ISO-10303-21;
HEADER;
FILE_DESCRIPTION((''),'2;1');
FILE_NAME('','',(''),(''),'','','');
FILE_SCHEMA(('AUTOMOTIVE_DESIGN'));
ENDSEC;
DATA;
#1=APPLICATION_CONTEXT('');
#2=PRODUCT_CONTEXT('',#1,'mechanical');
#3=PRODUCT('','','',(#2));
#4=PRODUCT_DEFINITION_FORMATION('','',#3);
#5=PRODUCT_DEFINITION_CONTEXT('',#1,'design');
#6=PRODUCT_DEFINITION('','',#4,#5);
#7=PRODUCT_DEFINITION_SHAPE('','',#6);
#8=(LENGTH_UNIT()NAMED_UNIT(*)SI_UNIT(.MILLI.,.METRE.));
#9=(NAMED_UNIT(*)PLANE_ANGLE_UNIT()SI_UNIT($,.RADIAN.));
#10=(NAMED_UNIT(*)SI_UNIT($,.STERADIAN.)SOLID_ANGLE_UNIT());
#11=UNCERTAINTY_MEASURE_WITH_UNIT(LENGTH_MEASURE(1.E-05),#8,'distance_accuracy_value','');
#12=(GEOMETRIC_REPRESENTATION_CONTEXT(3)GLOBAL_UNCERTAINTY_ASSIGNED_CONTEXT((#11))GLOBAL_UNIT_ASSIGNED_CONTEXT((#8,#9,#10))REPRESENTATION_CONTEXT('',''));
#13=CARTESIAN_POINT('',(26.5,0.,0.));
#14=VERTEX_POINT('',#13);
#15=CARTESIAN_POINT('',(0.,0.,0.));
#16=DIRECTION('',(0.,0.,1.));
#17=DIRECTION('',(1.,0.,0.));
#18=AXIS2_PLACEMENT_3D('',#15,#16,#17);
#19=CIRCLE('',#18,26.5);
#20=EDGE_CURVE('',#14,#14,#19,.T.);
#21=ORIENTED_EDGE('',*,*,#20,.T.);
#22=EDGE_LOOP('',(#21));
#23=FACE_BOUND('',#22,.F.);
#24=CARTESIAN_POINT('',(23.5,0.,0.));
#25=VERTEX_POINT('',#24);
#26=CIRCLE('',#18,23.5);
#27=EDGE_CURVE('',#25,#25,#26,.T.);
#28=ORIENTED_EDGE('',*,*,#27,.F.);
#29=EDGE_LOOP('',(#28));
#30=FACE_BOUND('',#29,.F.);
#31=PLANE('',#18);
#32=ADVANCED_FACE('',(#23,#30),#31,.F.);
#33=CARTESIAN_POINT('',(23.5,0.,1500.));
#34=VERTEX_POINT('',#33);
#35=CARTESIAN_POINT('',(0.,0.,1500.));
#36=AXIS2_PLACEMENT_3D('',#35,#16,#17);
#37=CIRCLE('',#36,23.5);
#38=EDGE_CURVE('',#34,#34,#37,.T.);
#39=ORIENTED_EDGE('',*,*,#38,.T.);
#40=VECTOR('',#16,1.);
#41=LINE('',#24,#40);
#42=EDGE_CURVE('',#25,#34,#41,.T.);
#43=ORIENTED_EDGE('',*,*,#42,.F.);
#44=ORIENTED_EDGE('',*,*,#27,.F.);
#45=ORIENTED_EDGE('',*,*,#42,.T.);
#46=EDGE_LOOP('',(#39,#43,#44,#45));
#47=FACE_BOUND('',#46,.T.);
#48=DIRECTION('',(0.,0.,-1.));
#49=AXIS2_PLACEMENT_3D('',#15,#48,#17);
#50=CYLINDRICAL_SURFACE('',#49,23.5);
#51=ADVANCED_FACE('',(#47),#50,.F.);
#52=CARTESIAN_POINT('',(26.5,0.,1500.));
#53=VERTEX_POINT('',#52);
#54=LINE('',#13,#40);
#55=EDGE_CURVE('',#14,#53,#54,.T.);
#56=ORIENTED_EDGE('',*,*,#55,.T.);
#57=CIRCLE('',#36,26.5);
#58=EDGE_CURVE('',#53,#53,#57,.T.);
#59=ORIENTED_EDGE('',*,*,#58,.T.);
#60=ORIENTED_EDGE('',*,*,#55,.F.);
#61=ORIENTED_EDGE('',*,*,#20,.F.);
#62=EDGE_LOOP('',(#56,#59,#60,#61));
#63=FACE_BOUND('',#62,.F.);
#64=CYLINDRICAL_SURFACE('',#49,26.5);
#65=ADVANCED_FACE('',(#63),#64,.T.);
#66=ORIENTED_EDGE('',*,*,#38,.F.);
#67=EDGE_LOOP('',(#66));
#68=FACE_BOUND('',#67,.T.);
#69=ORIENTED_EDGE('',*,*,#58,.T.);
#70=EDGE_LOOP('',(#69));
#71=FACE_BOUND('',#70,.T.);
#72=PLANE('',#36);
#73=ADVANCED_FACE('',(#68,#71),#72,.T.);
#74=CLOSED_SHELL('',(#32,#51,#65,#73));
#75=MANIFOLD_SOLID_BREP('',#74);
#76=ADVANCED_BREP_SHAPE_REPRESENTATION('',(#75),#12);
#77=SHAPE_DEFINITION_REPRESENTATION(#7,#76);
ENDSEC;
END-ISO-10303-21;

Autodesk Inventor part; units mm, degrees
ref_plane "YZ Plane" through (0, 0, 0) normal (1, 0, 0) x (0, 1, 0)
ref_plane "XZ Plane" through (0, 0, 0) normal (0, 1, 0) x (-1, 0, 0)
ref_plane "XY Plane" through (0, 0, 0) normal (0, 0, 1) x (1, 0, 0)
sketch "Sketch1" plane through (0, 0, 0) normal (0, 0, 1) x (1, 0, 0)
  circle A0 centre (0, 0) radius 23.5
  circle A1 centre (0, 0) radius 26.5
  dimension "d0" = 47
  dimension "d1" = 3
extrude "Extrusion1" add sketch "Sketch1" along normal blind 1500
properties part number "pipe1.5m"
